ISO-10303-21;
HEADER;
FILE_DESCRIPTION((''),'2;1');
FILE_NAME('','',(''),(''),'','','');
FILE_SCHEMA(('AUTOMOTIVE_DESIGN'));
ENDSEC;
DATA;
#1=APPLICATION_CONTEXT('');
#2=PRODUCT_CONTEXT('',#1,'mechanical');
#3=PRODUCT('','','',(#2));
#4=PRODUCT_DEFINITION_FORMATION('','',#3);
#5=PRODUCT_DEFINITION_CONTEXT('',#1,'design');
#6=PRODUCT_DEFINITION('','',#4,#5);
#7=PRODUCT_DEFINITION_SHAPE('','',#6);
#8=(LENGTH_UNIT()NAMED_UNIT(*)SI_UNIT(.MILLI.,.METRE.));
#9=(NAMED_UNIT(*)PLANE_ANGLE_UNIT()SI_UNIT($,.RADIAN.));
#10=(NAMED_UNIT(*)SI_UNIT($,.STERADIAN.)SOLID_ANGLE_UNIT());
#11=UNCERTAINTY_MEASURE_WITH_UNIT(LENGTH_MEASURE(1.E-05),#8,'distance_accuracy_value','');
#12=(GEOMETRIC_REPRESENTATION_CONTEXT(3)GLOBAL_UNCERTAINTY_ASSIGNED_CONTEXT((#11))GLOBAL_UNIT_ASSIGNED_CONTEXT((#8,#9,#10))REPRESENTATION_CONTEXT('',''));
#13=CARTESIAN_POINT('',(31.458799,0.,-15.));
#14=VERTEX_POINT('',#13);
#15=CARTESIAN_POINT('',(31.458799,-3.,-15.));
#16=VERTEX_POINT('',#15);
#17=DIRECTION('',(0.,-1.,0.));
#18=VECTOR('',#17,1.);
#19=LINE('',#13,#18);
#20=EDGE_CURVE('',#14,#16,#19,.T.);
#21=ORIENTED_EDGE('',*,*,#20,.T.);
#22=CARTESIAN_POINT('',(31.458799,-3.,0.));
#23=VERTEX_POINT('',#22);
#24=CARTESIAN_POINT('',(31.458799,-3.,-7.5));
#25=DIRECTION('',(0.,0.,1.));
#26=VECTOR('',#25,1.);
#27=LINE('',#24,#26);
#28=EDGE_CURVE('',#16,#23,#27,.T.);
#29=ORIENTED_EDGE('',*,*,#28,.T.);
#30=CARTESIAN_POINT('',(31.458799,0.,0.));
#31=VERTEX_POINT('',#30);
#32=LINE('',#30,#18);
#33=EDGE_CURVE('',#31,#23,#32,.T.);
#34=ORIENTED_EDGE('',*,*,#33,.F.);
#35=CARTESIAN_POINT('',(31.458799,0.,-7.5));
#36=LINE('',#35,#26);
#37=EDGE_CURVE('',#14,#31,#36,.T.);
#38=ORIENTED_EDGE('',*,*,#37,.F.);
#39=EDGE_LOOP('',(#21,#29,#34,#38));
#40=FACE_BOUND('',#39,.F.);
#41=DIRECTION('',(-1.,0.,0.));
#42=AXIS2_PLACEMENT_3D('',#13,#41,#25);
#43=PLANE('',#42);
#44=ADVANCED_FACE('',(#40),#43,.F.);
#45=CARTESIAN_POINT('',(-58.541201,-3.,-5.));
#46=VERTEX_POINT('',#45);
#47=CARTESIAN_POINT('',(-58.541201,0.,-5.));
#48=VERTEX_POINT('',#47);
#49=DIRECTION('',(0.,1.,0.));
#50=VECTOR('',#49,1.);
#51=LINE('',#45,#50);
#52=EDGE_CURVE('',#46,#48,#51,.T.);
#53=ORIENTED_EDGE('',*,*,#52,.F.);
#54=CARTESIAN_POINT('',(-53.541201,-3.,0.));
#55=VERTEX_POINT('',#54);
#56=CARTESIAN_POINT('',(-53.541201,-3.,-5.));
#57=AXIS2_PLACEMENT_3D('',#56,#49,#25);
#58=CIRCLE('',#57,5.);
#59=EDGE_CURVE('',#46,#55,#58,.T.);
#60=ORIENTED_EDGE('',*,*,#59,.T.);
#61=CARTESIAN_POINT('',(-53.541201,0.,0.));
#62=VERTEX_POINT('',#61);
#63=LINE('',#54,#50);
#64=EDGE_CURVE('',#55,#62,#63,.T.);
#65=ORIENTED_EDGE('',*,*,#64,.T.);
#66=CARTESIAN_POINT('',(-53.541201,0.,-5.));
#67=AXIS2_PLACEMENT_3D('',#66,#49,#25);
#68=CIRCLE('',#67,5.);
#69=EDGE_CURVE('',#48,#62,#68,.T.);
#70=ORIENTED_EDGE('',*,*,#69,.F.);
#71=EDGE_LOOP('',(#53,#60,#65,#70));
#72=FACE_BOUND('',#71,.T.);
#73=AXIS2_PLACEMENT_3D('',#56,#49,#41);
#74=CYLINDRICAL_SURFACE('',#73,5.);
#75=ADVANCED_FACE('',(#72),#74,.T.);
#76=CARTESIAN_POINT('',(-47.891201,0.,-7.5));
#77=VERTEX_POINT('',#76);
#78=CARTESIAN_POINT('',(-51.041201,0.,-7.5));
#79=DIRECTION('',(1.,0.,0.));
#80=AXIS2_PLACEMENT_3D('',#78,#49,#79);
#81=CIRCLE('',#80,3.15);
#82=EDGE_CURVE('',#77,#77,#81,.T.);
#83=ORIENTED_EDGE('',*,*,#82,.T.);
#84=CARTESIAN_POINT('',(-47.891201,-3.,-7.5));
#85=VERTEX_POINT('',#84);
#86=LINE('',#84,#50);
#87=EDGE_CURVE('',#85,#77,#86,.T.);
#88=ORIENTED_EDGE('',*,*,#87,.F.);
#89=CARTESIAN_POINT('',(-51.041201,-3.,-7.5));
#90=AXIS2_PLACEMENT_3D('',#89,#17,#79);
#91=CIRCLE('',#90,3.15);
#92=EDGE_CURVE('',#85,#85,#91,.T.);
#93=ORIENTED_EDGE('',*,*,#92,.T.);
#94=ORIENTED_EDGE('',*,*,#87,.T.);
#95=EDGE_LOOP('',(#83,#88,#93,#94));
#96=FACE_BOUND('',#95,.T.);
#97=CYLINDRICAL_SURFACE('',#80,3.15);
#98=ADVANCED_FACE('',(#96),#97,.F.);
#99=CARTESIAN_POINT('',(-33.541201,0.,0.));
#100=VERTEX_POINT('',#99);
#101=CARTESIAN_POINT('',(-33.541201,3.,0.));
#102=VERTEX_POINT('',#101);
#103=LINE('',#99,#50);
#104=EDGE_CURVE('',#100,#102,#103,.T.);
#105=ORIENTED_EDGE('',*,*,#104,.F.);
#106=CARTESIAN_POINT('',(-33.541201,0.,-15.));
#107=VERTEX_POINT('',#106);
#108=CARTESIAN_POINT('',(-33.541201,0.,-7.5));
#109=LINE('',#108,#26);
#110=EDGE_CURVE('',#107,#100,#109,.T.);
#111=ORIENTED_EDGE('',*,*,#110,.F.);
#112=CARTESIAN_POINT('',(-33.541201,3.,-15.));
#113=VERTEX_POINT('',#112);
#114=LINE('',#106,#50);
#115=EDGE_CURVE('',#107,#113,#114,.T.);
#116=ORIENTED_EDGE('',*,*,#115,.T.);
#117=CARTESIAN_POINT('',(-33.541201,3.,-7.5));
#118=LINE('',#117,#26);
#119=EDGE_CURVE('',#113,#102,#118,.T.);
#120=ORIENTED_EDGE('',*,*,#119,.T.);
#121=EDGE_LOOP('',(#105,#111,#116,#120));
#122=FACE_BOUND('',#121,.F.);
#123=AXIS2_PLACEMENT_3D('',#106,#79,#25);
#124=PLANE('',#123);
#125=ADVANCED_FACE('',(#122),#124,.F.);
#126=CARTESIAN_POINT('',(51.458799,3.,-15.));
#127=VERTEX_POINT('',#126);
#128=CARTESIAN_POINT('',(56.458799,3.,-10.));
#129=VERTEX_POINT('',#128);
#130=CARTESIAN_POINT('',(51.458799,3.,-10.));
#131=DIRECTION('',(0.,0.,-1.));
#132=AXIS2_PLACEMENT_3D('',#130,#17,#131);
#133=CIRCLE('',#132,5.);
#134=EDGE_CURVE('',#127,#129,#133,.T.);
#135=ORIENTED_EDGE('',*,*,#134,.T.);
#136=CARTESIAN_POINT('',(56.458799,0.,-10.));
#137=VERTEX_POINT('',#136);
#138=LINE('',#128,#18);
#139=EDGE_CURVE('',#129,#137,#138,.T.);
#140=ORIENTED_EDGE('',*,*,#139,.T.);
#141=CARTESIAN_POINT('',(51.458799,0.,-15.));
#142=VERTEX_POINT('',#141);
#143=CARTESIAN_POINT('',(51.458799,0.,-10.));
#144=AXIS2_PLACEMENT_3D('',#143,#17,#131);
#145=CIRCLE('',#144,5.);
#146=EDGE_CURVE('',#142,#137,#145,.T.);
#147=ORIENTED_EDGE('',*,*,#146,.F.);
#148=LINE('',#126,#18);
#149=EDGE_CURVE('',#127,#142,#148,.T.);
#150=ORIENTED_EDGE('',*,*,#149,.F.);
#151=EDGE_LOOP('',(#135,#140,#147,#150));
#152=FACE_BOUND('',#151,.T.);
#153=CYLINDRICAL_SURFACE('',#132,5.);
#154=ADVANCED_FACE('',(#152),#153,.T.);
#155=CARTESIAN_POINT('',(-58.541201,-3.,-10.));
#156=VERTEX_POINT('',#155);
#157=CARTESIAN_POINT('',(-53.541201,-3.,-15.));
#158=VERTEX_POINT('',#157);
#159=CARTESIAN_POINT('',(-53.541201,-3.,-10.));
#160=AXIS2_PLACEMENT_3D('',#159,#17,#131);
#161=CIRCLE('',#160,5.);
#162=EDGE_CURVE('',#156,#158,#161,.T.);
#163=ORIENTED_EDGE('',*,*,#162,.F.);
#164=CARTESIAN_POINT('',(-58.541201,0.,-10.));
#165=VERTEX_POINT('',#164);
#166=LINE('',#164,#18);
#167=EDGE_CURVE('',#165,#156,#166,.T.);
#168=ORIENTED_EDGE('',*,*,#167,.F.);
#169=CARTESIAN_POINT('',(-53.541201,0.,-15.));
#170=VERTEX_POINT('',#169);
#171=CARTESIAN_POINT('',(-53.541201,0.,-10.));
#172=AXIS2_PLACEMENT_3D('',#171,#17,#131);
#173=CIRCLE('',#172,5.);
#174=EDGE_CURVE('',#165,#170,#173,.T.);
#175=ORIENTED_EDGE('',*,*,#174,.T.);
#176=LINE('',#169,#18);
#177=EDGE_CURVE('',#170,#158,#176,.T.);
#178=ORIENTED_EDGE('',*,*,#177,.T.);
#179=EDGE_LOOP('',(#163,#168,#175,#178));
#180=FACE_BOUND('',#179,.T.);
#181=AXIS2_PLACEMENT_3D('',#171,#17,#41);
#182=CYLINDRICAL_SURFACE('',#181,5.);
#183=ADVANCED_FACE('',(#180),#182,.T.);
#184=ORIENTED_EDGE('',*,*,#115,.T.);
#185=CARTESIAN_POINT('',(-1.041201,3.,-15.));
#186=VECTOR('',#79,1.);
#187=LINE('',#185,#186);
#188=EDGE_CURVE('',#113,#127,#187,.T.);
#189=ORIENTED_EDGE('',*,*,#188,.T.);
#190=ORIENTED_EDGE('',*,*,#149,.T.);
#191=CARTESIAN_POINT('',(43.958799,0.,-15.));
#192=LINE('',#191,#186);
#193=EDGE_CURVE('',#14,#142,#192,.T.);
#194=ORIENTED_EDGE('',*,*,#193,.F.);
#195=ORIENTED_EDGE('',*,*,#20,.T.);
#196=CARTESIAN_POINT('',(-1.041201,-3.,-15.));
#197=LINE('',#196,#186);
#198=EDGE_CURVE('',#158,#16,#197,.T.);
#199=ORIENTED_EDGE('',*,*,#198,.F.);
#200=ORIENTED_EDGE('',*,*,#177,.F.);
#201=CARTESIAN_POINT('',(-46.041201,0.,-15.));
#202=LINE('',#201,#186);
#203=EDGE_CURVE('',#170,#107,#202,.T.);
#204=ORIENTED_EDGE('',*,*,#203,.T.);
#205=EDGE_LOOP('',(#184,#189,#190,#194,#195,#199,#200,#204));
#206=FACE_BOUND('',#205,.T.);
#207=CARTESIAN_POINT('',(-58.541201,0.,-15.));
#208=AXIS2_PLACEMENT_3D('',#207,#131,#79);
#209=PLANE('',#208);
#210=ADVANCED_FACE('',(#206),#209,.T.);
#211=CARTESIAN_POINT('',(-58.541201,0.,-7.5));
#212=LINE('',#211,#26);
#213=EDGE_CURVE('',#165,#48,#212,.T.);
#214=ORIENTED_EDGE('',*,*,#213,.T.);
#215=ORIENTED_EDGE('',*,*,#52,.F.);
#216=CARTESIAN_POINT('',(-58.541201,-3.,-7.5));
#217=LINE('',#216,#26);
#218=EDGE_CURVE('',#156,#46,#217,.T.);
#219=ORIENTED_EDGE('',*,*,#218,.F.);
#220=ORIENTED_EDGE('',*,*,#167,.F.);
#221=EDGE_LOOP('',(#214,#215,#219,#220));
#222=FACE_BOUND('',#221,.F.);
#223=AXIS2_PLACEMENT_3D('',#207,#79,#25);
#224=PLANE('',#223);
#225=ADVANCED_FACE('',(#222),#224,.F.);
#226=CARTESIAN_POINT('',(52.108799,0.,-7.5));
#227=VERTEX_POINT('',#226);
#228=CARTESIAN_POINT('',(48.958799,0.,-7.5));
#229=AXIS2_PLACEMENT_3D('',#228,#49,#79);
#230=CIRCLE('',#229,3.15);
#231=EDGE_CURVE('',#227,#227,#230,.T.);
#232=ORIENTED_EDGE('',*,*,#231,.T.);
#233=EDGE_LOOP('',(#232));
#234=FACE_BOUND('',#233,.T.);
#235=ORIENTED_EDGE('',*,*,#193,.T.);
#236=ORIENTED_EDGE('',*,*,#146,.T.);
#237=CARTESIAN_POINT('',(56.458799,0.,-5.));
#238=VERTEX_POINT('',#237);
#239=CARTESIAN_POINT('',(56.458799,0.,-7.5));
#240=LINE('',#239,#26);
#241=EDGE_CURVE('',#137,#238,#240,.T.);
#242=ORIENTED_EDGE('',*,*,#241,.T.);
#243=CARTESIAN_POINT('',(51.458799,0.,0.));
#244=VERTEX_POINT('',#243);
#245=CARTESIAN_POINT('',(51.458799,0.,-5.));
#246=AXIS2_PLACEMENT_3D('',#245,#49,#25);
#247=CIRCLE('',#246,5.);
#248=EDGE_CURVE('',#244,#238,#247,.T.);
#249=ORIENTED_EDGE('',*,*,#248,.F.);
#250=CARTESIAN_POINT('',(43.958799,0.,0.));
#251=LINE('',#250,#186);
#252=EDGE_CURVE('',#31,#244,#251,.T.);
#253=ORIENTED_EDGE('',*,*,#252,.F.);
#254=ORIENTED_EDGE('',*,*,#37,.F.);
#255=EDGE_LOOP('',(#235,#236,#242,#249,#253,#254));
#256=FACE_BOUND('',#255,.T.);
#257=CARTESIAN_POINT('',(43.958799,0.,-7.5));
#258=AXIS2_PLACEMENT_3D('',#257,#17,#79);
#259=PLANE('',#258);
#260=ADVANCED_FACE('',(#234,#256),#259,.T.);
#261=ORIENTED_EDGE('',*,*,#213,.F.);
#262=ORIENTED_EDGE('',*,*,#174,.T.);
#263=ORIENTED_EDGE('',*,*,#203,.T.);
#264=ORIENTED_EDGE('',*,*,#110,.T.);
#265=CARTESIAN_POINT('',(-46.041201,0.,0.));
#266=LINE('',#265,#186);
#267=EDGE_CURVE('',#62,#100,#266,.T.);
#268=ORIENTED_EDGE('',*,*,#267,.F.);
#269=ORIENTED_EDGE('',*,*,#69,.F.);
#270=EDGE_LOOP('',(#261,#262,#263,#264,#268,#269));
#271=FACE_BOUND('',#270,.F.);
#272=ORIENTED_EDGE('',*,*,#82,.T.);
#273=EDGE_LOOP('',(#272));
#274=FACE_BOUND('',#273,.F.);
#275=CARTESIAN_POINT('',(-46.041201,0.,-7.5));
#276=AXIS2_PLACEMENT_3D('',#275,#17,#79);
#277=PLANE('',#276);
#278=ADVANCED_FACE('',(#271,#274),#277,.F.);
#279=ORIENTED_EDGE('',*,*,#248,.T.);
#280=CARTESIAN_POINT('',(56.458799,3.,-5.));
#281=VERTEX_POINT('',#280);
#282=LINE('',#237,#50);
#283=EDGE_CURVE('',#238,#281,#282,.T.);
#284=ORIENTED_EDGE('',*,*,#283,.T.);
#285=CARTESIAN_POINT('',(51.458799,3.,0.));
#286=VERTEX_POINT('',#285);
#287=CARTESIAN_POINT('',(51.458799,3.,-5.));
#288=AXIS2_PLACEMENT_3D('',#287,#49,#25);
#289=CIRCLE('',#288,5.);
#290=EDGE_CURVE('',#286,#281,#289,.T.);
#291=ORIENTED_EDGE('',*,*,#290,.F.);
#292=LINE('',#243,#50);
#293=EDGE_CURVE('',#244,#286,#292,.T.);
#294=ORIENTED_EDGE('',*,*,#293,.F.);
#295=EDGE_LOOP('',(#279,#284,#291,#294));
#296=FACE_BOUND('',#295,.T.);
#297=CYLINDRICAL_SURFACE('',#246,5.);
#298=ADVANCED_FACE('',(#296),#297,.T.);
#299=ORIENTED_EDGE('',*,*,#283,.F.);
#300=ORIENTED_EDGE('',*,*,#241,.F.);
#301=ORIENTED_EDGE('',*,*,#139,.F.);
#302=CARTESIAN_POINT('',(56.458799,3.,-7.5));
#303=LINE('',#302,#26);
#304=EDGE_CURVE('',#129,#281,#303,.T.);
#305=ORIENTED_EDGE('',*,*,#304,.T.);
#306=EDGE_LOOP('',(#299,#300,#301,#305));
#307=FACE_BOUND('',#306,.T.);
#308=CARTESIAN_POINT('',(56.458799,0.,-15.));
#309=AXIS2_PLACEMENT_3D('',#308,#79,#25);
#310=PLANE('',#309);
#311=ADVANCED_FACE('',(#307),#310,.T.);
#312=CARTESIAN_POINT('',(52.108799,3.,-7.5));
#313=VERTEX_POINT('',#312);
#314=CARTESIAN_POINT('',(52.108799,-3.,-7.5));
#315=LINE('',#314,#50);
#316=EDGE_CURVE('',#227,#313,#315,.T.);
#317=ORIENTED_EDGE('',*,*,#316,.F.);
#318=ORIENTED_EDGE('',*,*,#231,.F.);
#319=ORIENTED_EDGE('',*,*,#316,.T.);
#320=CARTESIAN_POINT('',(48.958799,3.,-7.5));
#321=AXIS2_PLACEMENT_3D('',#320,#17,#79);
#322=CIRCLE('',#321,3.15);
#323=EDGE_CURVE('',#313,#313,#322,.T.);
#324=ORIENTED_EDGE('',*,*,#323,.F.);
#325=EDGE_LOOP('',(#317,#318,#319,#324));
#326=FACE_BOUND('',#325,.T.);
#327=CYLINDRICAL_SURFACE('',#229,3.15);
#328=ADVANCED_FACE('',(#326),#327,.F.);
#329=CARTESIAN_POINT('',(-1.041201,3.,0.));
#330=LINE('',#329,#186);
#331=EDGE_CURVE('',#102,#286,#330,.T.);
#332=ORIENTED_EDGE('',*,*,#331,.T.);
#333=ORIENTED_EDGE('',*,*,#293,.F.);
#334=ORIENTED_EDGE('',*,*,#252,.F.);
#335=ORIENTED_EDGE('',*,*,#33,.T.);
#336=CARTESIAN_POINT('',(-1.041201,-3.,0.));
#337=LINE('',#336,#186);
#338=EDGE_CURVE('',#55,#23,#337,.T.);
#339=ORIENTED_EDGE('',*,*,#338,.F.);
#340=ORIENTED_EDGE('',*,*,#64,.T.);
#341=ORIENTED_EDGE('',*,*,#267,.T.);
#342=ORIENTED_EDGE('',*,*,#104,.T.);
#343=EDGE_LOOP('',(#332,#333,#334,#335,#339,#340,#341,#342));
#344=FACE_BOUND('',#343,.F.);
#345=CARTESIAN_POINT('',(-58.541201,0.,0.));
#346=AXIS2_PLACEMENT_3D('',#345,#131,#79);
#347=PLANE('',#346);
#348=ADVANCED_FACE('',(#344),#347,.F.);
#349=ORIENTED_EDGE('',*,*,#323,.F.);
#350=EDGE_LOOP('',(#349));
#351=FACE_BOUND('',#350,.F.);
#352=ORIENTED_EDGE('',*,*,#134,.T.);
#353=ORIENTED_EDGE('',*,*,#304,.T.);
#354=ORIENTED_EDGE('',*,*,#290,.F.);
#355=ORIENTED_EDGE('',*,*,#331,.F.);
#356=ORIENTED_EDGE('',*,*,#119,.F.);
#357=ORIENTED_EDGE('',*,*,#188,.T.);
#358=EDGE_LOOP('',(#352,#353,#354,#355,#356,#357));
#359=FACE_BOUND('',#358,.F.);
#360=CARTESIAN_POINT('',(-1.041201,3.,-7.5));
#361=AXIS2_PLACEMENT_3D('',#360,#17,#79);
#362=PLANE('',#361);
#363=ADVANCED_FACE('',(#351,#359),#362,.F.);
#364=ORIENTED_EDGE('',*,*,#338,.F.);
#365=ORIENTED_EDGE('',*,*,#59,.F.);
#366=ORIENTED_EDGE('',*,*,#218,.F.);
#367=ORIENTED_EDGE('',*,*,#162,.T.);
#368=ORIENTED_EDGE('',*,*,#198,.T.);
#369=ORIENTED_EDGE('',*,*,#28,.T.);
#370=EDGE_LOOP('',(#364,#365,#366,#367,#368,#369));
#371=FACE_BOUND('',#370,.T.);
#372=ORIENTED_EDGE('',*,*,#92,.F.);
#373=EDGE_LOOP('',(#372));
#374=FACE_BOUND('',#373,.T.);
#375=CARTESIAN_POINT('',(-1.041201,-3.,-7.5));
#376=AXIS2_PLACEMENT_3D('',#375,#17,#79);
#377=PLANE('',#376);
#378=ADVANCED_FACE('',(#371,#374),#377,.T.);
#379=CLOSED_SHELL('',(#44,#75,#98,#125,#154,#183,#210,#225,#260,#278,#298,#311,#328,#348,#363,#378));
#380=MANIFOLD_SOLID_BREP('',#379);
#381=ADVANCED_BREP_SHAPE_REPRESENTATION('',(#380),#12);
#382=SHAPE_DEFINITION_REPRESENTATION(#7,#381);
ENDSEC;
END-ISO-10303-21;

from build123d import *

# Parameters (mm, degrees)
F0_W     = 115
F0_H     = 15
F0_R     = 3.15
F1_DEPTH = 3
F2_W     = 25
F2_H     = 15
F4_DEPTH = 3
F3_W     = 25
F3_H     = 15
F5_DEPTH = 3
F6_R     = 5


with BuildPart() as f1:
    # F0 (on Front) → F1 (new body, symmetric)
    with BuildSketch(Plane.XZ):
        with Locations((-1.0412013265, -7.5)):
            Rectangle(F0_W, F0_H)
        with Locations((-51.0412013265, -7.5)):
            Circle(F0_R, mode=Mode.SUBTRACT)
        with Locations((48.9587986735, -7.5)):
            Circle(F0_R, mode=Mode.SUBTRACT)
    extrude(amount=F1_DEPTH, both=True)

    # F2 (on Front) → F4 (cut)
    with BuildSketch(Plane.XZ):
        with Locations((-46.0412013265, -7.5)):
            Rectangle(F2_W, F2_H)
    extrude(amount=-F4_DEPTH, mode=Mode.SUBTRACT)

    # F3 (on Front) → F5 (cut)
    with BuildSketch(Plane.XZ):
        with Locations((43.9587986735, -7.5)):
            Rectangle(F3_W, F3_H)
    extrude(amount=F5_DEPTH, mode=Mode.SUBTRACT)

    # F6
    f6_edges = [f1.edges().sort_by_distance(p)[0] for p in [
        (-58.541201, -1.5, 0),
        (-58.541201, -1.5, -15),
        (56.458799, 1.5, -15),
        (56.458799, 1.5, 0),
    ]]
    fillet(f6_edges, radius=F6_R)


solid = f1.part
